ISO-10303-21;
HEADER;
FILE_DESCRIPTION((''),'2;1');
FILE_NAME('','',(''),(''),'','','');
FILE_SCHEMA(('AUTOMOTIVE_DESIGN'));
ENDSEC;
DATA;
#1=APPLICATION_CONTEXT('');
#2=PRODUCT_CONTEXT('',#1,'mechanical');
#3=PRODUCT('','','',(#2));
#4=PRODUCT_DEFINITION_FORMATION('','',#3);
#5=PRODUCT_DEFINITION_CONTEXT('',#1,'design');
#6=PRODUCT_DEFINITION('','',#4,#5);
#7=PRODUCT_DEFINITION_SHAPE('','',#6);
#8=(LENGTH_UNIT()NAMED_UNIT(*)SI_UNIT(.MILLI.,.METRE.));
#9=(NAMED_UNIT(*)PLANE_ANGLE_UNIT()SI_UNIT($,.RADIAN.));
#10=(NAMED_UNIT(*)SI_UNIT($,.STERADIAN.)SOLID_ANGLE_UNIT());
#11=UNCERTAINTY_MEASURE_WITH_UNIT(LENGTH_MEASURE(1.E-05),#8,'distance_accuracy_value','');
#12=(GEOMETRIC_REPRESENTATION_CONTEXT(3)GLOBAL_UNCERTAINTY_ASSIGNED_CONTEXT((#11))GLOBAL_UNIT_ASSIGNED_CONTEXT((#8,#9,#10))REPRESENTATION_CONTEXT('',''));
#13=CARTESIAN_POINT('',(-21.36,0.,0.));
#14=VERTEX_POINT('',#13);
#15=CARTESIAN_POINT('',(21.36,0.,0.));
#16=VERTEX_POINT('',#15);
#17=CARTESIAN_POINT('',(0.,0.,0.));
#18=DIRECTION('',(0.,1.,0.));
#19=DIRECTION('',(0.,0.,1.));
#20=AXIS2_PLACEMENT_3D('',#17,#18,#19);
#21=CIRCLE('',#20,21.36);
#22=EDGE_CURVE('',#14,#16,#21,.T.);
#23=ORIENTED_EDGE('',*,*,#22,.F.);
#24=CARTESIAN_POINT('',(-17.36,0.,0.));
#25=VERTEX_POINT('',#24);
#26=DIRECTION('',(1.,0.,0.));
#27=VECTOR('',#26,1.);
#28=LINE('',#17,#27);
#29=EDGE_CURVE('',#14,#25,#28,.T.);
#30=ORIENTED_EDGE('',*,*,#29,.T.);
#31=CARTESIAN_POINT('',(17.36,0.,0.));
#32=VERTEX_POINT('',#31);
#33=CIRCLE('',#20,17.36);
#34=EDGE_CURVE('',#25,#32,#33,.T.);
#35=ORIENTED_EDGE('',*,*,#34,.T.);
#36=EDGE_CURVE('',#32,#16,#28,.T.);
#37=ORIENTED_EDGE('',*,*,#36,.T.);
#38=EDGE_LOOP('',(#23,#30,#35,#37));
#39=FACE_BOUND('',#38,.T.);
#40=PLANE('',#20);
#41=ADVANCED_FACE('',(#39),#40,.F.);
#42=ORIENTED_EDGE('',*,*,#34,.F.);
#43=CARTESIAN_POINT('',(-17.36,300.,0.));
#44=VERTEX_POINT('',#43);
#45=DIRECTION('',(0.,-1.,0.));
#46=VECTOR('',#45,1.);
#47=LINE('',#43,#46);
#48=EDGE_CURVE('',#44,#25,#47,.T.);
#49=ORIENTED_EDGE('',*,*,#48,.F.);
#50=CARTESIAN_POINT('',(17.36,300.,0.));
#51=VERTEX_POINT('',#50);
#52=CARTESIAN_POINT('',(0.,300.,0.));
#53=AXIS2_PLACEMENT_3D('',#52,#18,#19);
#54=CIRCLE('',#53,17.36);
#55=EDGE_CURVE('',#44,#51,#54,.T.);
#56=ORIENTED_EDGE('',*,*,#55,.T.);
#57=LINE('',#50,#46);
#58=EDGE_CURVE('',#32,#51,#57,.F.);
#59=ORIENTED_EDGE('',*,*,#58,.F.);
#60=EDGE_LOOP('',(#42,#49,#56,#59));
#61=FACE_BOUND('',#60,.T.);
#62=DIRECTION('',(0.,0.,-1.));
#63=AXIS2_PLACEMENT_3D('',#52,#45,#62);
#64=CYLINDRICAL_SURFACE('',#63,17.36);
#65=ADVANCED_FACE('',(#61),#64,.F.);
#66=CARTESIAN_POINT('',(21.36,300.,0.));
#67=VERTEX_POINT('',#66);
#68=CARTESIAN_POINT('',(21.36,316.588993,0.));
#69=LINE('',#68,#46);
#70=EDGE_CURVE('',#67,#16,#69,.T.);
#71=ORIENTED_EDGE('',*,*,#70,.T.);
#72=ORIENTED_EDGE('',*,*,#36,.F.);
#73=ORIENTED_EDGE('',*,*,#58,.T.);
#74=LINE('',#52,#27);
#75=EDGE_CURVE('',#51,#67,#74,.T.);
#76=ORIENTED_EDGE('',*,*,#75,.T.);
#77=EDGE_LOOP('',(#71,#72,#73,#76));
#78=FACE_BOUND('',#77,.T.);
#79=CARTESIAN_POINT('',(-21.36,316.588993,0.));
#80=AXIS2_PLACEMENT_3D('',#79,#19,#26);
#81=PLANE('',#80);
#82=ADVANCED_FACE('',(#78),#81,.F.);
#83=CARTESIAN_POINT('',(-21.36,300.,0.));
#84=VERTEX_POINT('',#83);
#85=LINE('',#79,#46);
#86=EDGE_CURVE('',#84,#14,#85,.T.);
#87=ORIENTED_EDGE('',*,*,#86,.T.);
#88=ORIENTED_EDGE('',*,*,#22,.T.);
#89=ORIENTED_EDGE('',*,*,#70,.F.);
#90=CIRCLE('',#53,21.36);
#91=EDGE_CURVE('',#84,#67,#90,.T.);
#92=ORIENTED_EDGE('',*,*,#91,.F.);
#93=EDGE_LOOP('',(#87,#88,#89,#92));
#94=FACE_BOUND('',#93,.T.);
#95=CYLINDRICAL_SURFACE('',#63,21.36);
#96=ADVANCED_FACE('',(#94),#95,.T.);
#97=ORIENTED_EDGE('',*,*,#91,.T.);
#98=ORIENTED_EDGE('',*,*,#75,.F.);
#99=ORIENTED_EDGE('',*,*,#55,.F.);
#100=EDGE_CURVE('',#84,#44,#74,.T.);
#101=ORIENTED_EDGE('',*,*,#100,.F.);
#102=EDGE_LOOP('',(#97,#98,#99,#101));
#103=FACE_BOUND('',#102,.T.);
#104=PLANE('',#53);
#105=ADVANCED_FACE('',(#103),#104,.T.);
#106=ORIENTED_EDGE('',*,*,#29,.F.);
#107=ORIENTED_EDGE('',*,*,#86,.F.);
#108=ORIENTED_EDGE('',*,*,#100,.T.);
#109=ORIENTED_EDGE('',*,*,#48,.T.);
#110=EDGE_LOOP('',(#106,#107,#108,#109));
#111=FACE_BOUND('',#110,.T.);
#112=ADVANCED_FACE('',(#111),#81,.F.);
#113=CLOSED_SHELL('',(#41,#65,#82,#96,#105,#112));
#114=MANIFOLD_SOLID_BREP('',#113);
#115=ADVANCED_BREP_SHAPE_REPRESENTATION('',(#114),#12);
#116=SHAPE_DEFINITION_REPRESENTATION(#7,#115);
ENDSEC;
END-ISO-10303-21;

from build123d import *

# Parameters (mm, degrees)
SKETCH2_R               = 21.36
BOSS_EXTRUDE1_DEPTH     = 300
SHELL1_T                = -4
SKETCH3_W               = 54.462291246
SKETCH3_H               = 357.024978236
CUT_EXTRUDE1_DEPTH      = 302.516996536
CUT_EXTRUDE1_DEPTH_BACK = 302.516996536


with BuildPart() as part:
    # Sketch2 → Boss-Extrude1 (new body)
    with BuildSketch(Plane(origin=(0, 0, 0), x_dir=(1, 0, 0), z_dir=(0, 1, 0))):
        with Locations(Location((0, 0, 0), (0, 0, 270))):
            Circle(SKETCH2_R)
    extrude(amount=BOSS_EXTRUDE1_DEPTH)

    # Shell1
    shell1_openings = [part.faces().sort_by_distance(p)[0] for p in [
        (0, 300, 0),
        (0, 0, 0),
    ]]
    offset(amount=SHELL1_T, openings=shell1_openings, kind=Kind.INTERSECTION)

    # Sketch3 → Cut-Extrude1 (cut, two sides)
    with BuildSketch(Plane(origin=(0, 0, 0), x_dir=(0, 0, -1), z_dir=(1, 0, 0))) as cut_extrude1_sk:
        with Locations((27.231145623, 138.076503498)):
            Rectangle(SKETCH3_W, SKETCH3_H)
    extrude(amount=CUT_EXTRUDE1_DEPTH, mode=Mode.SUBTRACT)
    extrude(cut_extrude1_sk.sketch, amount=-CUT_EXTRUDE1_DEPTH_BACK, mode=Mode.SUBTRACT)


solid = part.part
